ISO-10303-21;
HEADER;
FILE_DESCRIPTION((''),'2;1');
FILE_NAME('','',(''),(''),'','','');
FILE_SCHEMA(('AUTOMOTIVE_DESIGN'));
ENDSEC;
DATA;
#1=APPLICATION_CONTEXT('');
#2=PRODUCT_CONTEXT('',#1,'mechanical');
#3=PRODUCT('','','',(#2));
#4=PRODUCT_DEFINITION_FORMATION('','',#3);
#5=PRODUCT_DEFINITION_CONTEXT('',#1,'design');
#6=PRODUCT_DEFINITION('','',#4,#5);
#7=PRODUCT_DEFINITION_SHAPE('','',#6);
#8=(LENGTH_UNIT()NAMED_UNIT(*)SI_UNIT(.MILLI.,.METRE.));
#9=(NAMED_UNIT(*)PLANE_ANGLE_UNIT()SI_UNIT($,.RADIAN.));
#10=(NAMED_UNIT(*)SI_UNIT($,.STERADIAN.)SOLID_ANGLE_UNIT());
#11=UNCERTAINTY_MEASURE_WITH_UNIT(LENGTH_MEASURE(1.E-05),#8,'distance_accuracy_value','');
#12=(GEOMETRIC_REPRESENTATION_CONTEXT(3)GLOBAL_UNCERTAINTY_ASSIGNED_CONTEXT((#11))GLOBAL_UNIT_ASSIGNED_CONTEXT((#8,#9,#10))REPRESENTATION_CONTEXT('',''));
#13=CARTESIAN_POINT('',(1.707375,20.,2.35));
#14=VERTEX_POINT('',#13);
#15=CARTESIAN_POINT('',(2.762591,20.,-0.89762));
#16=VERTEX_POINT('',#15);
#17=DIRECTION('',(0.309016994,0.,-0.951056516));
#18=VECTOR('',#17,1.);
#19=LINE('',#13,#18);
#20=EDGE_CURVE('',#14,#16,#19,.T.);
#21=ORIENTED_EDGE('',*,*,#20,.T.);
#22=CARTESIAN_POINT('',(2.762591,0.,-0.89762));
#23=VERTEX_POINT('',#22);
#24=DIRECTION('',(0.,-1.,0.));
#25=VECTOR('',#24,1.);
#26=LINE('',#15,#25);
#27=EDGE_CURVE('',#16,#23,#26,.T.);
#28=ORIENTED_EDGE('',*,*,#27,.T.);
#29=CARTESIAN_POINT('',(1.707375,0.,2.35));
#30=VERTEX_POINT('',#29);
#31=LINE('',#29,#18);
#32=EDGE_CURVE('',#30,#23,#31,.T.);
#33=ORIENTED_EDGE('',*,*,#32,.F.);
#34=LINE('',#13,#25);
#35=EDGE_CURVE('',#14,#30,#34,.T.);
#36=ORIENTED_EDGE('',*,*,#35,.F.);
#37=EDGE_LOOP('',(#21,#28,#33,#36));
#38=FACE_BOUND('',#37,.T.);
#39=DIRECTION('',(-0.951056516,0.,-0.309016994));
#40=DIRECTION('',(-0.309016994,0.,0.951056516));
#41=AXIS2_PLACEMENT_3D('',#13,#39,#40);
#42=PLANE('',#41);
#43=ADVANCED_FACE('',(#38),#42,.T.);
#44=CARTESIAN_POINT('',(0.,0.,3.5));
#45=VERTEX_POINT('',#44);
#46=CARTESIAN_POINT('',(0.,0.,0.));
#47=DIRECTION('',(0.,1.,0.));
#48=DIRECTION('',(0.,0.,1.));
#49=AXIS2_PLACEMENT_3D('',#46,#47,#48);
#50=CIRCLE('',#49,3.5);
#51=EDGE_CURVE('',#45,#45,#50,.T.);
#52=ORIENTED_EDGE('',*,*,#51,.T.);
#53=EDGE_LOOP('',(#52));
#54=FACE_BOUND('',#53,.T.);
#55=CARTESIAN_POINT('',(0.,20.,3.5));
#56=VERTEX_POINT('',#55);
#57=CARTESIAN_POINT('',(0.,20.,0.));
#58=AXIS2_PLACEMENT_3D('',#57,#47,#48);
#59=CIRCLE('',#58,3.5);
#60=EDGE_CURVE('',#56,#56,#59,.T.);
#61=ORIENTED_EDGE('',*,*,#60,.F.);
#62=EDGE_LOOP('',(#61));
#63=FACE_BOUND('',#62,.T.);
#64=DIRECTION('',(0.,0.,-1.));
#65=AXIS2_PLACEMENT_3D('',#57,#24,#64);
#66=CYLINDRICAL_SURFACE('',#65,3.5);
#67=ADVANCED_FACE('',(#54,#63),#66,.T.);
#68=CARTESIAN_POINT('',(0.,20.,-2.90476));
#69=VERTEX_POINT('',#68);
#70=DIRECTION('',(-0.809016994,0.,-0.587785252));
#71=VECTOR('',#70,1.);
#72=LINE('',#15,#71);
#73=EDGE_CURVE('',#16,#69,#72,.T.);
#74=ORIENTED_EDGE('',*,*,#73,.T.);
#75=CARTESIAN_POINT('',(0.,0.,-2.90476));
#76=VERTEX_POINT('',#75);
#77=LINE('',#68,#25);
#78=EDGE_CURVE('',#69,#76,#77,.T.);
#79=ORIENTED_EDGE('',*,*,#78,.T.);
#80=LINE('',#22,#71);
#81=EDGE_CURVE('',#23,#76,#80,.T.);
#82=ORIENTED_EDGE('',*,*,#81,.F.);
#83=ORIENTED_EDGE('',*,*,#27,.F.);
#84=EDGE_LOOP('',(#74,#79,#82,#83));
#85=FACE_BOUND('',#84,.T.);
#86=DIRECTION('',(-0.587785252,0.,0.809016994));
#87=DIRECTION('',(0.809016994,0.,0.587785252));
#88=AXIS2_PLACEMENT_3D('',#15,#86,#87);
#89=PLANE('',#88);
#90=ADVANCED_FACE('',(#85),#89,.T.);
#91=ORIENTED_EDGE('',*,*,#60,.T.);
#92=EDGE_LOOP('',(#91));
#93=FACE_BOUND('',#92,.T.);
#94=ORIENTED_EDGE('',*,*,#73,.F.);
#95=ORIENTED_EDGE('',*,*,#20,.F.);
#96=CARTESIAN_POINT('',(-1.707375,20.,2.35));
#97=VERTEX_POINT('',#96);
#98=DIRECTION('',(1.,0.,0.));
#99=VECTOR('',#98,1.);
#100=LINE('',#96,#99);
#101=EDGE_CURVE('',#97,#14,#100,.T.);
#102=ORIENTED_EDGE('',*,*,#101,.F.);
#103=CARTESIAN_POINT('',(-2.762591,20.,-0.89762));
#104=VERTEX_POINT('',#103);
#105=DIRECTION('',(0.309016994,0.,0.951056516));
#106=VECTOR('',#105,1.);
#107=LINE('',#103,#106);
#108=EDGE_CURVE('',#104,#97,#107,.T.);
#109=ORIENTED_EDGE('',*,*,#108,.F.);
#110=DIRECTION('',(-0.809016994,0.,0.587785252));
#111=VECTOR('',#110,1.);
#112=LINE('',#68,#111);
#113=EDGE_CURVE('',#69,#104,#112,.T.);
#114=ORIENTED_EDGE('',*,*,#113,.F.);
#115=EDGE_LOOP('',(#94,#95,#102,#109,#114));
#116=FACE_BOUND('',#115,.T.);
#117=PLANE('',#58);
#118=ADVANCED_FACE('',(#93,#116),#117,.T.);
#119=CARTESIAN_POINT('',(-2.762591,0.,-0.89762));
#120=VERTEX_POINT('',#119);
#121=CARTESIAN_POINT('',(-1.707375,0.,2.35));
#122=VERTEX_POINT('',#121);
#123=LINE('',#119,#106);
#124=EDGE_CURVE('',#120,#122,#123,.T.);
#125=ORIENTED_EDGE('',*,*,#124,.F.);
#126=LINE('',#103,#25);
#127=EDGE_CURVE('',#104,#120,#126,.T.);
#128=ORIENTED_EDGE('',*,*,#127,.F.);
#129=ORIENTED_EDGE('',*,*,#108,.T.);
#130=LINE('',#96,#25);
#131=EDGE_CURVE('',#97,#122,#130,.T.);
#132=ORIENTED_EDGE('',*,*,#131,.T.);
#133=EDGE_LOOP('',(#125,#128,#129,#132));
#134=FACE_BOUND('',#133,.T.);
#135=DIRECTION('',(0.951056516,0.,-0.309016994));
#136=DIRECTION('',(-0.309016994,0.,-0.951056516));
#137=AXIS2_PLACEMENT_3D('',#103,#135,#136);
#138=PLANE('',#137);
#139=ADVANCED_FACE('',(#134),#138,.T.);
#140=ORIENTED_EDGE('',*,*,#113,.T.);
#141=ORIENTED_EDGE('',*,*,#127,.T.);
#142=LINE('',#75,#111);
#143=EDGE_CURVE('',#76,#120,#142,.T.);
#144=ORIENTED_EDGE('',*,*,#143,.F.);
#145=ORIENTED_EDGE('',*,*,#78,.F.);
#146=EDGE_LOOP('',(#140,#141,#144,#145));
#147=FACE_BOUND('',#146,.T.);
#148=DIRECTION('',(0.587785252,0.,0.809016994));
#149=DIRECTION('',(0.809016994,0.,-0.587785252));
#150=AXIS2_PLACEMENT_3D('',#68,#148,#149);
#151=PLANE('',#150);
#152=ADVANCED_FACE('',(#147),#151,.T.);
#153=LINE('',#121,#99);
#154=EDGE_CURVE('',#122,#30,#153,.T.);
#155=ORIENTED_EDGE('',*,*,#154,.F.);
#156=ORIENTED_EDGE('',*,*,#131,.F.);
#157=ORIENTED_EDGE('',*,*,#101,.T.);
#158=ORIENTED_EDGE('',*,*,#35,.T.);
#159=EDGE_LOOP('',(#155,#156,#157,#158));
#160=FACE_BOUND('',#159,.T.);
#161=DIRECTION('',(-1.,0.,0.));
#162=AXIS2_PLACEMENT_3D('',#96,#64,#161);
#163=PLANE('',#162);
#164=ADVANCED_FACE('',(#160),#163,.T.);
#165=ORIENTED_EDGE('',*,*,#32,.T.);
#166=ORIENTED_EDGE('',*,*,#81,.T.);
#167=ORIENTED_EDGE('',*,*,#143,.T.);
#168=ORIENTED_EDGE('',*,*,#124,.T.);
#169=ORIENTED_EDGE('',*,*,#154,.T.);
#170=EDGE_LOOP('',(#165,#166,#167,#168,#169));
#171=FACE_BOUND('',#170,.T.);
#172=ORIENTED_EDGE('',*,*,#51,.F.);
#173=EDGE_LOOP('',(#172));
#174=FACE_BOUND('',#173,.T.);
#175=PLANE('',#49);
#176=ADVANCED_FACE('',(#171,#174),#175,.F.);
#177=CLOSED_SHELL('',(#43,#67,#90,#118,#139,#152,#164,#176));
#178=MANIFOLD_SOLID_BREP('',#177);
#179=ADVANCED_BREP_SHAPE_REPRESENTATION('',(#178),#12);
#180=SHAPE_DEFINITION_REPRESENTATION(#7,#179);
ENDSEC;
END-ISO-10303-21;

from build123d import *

# Parameters (mm, degrees)
SKETCH1_R           = 3.5
BOSS_EXTRUDE1_DEPTH = 20


with BuildPart() as part:
    # Sketch1 → Boss-Extrude1 (new body)
    with BuildSketch(Plane(origin=(0, 0, 0), x_dir=(1, 0, 0), z_dir=(0, 1, 0))):
        Circle(SKETCH1_R)
        Polygon((1.707374941, -2.35), (2.762590686, 0.897620126), (0, 2.904759747), (-2.762590686, 0.897620126), (-1.707374941, -2.35), align=None, mode=Mode.SUBTRACT)
    extrude(amount=BOSS_EXTRUDE1_DEPTH)


solid = part.part
